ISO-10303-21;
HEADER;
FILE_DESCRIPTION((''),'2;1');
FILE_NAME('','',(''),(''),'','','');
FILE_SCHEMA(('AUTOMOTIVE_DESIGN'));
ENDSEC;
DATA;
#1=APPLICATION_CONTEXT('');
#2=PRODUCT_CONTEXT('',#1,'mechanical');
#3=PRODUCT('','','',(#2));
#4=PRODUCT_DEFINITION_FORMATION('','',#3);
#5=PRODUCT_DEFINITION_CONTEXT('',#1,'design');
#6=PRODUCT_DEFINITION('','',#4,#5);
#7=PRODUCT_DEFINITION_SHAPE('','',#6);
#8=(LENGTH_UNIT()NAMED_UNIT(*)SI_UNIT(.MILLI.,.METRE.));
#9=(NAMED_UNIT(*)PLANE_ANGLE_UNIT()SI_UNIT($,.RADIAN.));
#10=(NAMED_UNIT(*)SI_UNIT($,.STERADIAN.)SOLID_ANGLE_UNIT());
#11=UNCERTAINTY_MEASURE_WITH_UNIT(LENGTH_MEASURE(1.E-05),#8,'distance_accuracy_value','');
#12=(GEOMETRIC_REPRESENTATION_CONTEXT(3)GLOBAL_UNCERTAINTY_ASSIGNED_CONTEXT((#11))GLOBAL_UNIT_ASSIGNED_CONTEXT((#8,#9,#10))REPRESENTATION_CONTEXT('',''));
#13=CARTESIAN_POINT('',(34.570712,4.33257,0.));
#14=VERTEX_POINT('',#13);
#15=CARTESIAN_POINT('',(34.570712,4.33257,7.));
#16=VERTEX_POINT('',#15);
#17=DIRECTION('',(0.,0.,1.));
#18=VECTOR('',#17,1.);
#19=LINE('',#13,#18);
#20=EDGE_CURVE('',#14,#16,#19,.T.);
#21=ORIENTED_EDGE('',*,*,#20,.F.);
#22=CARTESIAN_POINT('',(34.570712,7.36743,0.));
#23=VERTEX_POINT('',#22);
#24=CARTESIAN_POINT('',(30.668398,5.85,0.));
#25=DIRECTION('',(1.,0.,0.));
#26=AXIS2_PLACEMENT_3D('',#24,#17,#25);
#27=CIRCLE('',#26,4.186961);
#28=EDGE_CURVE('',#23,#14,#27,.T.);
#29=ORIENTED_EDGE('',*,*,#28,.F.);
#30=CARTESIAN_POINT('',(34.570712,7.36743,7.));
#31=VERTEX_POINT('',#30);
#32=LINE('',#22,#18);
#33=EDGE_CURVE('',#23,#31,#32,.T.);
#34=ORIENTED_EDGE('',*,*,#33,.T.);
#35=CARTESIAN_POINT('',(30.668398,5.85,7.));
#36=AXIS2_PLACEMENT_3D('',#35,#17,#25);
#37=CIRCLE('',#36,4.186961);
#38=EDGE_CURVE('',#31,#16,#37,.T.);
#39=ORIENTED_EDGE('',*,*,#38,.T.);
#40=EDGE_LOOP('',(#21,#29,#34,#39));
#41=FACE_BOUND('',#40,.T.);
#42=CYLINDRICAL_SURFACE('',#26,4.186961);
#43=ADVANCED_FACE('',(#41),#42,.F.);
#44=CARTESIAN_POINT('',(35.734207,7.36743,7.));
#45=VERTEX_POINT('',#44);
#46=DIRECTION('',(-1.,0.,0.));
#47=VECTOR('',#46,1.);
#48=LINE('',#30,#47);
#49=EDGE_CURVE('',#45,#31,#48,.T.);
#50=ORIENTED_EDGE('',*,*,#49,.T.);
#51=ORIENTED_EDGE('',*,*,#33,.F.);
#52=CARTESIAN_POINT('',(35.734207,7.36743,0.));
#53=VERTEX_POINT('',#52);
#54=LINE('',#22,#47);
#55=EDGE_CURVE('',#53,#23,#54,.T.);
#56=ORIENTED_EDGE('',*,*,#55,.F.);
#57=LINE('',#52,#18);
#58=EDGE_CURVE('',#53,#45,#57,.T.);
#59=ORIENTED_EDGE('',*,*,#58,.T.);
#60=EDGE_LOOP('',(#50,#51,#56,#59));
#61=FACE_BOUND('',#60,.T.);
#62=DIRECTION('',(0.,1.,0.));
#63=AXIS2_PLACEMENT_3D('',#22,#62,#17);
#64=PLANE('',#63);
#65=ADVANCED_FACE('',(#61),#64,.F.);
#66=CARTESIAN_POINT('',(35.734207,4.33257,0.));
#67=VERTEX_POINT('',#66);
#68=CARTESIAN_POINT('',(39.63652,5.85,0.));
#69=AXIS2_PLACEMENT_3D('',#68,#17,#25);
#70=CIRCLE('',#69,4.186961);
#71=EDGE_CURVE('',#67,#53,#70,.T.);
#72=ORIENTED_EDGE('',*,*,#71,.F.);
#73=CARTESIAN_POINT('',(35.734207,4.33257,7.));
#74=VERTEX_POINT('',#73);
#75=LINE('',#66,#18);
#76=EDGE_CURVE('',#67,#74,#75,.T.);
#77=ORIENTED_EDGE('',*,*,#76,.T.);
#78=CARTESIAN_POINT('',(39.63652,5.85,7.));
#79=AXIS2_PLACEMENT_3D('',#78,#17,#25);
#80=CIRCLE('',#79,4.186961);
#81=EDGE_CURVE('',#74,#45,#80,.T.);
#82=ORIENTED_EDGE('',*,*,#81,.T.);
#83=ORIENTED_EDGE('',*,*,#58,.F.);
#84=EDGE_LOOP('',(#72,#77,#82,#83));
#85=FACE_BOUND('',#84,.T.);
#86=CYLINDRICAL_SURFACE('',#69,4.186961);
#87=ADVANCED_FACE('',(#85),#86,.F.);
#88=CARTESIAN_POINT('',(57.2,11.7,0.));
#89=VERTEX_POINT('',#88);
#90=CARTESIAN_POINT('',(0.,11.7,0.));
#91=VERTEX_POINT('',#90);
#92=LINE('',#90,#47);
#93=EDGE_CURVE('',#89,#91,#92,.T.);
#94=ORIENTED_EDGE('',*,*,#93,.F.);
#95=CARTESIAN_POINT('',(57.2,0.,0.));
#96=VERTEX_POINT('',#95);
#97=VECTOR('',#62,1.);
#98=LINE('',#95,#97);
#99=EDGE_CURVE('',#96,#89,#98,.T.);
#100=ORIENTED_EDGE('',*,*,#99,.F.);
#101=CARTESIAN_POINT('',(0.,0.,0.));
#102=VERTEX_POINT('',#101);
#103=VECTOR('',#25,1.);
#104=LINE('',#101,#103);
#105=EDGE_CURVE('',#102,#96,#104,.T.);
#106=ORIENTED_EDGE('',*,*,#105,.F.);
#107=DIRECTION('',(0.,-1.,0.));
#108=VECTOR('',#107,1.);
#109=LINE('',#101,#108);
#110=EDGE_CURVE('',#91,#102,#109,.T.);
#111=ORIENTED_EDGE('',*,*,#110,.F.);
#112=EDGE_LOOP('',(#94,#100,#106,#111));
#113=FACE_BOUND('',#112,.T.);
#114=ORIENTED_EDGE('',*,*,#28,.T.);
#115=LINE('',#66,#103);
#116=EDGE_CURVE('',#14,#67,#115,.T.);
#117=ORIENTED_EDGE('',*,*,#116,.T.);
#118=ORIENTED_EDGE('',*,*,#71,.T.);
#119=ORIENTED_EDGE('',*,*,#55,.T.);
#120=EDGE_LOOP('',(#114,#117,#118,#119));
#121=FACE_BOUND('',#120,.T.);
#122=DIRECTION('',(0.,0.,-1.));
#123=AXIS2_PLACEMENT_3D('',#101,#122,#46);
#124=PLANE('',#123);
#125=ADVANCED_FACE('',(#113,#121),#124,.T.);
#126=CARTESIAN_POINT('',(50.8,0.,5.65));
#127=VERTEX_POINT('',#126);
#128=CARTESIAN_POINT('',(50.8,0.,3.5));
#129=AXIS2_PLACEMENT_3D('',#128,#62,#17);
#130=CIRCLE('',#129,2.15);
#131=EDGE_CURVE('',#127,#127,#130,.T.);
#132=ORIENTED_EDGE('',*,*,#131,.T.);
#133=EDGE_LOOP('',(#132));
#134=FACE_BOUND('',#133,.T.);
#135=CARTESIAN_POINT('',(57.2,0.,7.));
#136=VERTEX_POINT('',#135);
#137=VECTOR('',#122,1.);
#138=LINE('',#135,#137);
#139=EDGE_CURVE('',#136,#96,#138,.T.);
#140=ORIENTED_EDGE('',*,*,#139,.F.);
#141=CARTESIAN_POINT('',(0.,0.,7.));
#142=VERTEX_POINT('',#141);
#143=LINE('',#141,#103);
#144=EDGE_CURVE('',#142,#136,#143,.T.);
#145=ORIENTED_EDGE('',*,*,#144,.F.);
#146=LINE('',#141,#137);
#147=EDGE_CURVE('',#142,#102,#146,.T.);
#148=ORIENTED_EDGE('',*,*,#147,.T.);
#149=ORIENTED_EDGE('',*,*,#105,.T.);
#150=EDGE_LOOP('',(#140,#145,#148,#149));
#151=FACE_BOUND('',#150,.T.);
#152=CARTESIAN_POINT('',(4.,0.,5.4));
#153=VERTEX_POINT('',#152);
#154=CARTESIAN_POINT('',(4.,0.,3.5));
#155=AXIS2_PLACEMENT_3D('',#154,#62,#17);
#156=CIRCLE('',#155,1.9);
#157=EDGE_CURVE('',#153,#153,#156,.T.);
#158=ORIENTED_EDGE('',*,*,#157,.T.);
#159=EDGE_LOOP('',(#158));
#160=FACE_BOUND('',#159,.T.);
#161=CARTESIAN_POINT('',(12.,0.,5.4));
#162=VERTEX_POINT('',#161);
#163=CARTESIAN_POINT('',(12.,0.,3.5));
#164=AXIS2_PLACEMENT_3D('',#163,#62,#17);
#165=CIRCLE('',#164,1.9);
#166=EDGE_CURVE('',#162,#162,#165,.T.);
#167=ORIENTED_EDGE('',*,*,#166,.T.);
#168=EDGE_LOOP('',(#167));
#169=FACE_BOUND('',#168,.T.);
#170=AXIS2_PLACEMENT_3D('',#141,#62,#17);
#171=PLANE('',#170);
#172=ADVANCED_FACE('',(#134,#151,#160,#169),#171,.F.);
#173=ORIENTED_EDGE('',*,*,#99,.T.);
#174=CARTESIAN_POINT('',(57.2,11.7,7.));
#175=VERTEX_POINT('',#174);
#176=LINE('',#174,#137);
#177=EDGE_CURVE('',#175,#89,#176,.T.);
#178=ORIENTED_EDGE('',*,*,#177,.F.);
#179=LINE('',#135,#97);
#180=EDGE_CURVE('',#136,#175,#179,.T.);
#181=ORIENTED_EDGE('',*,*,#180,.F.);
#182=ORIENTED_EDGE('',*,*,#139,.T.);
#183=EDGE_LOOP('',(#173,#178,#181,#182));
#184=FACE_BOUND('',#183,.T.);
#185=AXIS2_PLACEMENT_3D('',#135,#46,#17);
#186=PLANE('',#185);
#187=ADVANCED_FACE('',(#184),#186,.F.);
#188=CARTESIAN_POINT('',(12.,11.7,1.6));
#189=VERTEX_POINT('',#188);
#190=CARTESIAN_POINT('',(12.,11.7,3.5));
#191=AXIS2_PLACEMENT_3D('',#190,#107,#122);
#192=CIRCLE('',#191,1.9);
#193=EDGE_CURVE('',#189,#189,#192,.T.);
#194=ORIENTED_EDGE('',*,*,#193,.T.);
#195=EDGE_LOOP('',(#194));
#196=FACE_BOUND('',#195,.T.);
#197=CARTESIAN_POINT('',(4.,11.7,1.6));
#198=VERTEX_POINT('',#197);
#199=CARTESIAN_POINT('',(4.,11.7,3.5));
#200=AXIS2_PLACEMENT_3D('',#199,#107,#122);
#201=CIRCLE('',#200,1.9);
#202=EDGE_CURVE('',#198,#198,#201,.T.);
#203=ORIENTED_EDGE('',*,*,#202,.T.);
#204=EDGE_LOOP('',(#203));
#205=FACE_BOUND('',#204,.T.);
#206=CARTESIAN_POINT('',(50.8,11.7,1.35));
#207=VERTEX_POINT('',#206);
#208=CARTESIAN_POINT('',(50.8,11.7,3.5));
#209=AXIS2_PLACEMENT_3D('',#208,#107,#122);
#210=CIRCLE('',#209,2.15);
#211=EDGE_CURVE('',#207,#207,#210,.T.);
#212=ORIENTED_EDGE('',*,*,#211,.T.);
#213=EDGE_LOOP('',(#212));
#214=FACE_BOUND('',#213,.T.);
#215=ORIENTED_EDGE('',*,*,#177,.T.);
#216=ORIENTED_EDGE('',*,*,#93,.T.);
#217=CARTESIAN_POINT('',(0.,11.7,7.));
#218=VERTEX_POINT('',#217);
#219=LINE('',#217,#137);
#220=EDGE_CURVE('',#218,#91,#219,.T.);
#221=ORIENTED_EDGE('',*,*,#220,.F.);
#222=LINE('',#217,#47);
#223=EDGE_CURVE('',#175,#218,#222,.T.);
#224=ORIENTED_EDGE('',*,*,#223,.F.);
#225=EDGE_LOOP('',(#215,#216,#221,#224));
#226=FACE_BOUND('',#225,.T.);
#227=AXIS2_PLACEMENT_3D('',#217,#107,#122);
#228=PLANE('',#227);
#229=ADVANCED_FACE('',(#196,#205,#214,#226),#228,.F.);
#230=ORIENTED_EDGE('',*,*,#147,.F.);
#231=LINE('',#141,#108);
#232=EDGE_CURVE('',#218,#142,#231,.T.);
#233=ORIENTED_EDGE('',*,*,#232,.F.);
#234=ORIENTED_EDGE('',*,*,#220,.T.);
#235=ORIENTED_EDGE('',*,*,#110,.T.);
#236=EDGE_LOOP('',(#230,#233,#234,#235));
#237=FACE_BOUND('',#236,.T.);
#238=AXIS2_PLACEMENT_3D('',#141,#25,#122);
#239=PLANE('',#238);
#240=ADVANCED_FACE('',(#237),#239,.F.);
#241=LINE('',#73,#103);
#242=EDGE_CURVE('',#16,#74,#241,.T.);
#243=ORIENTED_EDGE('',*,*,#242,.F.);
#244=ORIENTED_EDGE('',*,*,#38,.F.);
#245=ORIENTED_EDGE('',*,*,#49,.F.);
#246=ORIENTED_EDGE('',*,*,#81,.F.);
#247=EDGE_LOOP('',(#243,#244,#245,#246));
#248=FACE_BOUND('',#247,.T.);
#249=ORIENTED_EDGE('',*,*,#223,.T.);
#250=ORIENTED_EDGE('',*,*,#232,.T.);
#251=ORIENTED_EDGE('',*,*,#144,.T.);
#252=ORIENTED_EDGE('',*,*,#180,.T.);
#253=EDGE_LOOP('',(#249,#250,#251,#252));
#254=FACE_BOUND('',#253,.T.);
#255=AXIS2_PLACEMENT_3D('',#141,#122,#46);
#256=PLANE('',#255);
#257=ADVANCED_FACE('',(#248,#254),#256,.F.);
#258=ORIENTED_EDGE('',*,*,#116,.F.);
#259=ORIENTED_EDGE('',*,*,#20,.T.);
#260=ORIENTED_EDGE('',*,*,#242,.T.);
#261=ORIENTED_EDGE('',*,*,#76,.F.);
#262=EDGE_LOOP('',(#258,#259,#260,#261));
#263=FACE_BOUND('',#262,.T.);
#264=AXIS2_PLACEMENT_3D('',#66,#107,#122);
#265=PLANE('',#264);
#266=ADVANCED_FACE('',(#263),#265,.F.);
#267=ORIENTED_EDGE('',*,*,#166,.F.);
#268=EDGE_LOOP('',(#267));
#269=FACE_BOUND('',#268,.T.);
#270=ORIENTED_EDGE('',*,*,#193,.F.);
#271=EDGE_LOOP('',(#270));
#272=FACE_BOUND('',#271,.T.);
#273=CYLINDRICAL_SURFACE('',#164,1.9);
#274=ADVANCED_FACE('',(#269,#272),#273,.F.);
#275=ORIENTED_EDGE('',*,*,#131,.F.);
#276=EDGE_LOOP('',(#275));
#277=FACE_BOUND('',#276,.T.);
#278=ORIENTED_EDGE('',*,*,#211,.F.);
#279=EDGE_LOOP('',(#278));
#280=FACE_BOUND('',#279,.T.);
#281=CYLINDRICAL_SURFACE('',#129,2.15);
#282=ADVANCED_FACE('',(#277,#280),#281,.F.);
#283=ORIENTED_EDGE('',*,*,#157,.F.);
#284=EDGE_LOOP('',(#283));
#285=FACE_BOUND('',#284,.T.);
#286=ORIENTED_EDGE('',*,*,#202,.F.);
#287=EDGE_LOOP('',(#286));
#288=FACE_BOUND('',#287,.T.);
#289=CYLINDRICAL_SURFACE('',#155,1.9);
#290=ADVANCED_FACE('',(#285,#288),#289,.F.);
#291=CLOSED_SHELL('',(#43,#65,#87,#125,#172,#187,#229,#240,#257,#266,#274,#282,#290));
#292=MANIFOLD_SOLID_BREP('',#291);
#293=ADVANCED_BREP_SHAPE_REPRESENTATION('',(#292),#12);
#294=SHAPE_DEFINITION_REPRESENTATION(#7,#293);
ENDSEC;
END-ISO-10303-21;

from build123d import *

# Parameters (mm, degrees)
SKETCH1_W               = 57.2
SKETCH1_H               = 11.7
BOSS_EXTRUDE1_DEPTH     = 7
CUT_EXTRUDE1_DEPTH      = 59.802465935
CUT_EXTRUDE1_DEPTH_BACK = 59.802465935
SKETCH2_R               = 2.15
SKETCH2_R_2             = 1.9
CUT_EXTRUDE2_DEPTH      = 59.802465935


with BuildPart() as part:
    # Sketch1 → Boss-Extrude1 (new body)
    with BuildSketch(Plane.XY):
        with Locations((28.6, 5.85)):
            Rectangle(SKETCH1_W, SKETCH1_H)
    extrude(amount=BOSS_EXTRUDE1_DEPTH)

    # Sketch2 → Cut-Extrude1 (cut, two sides: drawn at the far end of the back side and taken through both)
    with BuildSketch(Plane(origin=(0, 11.7, 0), x_dir=(1, 0, 0), z_dir=(0, 1, 0)).offset(-CUT_EXTRUDE1_DEPTH_BACK)):
        with Locations(Location((50.8, -3.5, 0), (0, 0, 270))):
            Circle(SKETCH2_R)
        with Locations(Location((4, -3.5, 0), (0, 0, 270))):
            Circle(SKETCH2_R_2)
        with Locations(Location((12, -3.5, 0), (0, 0, 270))):
            Circle(SKETCH2_R_2)
    extrude(amount=CUT_EXTRUDE1_DEPTH + CUT_EXTRUDE1_DEPTH_BACK, mode=Mode.SUBTRACT)

    # Sketch3 → Cut-Extrude2 (cut, through all)
    with BuildSketch(Plane.XY.offset(7)):
        with BuildLine():
            Line((34.57071198, 7.367429549), (35.734206681, 7.367429549))
            ThreePointArc((35.734206681, 7.367429549), (43.82348168, 5.85), (35.734206681, 4.332570451))
            Line((35.734206681, 4.332570451), (34.57071198, 4.332570451))
            ThreePointArc((34.57071198, 4.332570451), (26.48143698, 5.85), (34.57071198, 7.367429549))
        make_face()
    extrude(amount=-CUT_EXTRUDE2_DEPTH, mode=Mode.SUBTRACT)


solid = part.part
